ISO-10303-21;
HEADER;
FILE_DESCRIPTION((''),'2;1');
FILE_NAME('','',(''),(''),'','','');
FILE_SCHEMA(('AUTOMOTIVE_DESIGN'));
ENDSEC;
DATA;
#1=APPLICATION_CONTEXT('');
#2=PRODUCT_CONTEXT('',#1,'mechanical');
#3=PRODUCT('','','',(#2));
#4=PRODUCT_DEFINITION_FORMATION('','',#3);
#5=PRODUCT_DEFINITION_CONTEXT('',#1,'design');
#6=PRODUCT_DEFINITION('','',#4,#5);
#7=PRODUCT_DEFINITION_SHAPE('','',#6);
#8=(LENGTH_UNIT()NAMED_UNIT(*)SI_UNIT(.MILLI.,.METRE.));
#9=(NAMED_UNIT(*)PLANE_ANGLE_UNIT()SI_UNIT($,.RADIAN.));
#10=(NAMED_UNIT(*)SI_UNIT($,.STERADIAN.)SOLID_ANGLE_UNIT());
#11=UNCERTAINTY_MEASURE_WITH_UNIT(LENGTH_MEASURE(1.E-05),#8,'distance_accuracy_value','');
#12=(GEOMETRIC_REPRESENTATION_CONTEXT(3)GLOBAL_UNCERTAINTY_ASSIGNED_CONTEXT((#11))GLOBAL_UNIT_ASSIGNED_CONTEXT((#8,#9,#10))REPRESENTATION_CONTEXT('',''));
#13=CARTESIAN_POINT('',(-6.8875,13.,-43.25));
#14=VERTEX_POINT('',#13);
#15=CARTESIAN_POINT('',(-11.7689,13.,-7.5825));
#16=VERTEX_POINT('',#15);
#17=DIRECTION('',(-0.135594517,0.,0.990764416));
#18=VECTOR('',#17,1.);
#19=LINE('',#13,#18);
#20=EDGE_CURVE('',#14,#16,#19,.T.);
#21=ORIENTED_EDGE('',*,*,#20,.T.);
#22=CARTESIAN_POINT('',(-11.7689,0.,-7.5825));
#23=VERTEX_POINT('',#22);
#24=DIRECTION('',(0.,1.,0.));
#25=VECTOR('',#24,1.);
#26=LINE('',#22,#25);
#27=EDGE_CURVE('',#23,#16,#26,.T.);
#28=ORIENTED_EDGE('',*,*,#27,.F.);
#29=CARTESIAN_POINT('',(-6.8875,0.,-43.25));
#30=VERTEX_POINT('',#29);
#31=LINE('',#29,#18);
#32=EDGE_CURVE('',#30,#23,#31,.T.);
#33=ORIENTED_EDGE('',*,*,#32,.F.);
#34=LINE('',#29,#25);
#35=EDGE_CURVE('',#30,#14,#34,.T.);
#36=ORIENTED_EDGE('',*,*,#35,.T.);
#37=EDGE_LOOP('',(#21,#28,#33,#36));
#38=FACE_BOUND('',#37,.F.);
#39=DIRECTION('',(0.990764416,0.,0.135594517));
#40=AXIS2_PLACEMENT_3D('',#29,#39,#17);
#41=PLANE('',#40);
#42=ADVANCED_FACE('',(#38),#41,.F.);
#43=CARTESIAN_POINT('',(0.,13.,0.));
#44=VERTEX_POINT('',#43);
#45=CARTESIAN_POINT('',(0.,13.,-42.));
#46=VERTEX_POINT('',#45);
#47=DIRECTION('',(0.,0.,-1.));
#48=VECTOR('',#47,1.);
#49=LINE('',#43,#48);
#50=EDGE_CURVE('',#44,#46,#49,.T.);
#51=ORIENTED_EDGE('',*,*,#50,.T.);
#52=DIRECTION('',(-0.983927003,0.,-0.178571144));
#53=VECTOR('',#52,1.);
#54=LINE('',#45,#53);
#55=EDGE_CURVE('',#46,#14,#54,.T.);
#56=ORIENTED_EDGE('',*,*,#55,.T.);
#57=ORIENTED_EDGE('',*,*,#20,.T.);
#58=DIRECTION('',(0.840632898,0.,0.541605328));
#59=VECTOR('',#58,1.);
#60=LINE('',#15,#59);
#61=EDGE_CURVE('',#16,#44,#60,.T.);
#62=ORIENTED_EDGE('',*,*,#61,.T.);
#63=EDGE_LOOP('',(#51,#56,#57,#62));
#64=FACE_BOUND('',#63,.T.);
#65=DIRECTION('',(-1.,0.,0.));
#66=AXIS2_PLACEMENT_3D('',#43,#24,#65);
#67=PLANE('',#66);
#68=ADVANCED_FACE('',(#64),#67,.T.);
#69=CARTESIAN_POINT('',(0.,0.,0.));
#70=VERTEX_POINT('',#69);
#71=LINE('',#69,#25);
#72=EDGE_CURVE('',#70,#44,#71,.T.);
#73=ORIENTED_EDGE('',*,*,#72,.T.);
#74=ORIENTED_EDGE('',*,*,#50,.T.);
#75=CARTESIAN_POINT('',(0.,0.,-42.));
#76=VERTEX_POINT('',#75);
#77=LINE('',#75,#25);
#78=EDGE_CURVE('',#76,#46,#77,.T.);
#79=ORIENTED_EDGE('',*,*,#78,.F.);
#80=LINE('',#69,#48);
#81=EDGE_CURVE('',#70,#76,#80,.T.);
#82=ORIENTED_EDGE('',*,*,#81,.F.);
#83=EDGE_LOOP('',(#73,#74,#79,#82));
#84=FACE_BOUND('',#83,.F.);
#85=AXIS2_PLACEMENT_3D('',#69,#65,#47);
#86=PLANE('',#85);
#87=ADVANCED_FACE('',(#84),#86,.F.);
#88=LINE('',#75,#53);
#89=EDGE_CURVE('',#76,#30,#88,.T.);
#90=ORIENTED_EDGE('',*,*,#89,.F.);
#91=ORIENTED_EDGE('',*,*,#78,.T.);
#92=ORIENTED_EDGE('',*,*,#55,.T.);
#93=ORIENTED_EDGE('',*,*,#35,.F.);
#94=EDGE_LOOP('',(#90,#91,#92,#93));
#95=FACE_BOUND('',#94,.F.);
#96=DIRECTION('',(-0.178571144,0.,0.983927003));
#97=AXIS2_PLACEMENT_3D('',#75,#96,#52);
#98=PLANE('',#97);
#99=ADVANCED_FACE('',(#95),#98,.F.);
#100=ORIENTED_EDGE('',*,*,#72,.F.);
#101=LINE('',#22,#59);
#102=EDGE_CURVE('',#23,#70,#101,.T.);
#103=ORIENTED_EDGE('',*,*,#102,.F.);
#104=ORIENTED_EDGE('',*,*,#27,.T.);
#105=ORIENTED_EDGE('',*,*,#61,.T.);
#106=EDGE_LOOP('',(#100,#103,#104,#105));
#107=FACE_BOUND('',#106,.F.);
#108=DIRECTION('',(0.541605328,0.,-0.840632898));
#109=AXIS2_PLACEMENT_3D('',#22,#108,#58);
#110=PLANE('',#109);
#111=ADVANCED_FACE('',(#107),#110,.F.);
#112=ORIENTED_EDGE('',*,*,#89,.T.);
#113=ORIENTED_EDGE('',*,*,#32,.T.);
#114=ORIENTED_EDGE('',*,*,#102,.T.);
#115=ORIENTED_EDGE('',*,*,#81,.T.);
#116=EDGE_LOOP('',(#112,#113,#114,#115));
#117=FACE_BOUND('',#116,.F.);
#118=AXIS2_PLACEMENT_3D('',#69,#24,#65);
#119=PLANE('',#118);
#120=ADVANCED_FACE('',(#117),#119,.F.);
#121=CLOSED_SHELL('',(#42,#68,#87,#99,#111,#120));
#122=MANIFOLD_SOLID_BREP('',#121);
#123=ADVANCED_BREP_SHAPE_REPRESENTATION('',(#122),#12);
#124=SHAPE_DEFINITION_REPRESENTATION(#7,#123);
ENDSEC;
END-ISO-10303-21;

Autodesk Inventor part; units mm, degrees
ref_plane "YZ Plane" through (0, 0, 0) normal (1, 0, 0) x (0, 1, 0)
ref_plane "XZ Plane" through (0, 0, 0) normal (0, 1, 0) x (-1, 0, 0)
ref_plane "XY Plane" through (0, 0, 0) normal (0, 0, 1) x (1, 0, 0)
sketch "Sketch1" plane through (0, 0, 0) normal (0, 1, 0) x (-1, 0, 0)
  line L0 (0, 0) -> (0, -42)
  line L1 (0, -42) -> (6.8875, -43.25)
  line L2 (6.8875, -43.25) -> (11.7689, -7.5825)
  line L3 (11.7689, -7.5825) -> (0, 0)
  line L4 (14.1226, 0) -> (-2.3538, 0) projected
  line L5 (0, -51.9) -> (0, 8.65) projected
  dimension "d0" = 42
  dimension "d1" = 7
  dimension "d2" = 36
  dimension "d3" = 14
  dimension "d4" = 115
  dimension "d5" = 79.713
extrude "Extrusion1" add sketch "Sketch1" along normal blind 13
properties part number "FP Side Boards"
